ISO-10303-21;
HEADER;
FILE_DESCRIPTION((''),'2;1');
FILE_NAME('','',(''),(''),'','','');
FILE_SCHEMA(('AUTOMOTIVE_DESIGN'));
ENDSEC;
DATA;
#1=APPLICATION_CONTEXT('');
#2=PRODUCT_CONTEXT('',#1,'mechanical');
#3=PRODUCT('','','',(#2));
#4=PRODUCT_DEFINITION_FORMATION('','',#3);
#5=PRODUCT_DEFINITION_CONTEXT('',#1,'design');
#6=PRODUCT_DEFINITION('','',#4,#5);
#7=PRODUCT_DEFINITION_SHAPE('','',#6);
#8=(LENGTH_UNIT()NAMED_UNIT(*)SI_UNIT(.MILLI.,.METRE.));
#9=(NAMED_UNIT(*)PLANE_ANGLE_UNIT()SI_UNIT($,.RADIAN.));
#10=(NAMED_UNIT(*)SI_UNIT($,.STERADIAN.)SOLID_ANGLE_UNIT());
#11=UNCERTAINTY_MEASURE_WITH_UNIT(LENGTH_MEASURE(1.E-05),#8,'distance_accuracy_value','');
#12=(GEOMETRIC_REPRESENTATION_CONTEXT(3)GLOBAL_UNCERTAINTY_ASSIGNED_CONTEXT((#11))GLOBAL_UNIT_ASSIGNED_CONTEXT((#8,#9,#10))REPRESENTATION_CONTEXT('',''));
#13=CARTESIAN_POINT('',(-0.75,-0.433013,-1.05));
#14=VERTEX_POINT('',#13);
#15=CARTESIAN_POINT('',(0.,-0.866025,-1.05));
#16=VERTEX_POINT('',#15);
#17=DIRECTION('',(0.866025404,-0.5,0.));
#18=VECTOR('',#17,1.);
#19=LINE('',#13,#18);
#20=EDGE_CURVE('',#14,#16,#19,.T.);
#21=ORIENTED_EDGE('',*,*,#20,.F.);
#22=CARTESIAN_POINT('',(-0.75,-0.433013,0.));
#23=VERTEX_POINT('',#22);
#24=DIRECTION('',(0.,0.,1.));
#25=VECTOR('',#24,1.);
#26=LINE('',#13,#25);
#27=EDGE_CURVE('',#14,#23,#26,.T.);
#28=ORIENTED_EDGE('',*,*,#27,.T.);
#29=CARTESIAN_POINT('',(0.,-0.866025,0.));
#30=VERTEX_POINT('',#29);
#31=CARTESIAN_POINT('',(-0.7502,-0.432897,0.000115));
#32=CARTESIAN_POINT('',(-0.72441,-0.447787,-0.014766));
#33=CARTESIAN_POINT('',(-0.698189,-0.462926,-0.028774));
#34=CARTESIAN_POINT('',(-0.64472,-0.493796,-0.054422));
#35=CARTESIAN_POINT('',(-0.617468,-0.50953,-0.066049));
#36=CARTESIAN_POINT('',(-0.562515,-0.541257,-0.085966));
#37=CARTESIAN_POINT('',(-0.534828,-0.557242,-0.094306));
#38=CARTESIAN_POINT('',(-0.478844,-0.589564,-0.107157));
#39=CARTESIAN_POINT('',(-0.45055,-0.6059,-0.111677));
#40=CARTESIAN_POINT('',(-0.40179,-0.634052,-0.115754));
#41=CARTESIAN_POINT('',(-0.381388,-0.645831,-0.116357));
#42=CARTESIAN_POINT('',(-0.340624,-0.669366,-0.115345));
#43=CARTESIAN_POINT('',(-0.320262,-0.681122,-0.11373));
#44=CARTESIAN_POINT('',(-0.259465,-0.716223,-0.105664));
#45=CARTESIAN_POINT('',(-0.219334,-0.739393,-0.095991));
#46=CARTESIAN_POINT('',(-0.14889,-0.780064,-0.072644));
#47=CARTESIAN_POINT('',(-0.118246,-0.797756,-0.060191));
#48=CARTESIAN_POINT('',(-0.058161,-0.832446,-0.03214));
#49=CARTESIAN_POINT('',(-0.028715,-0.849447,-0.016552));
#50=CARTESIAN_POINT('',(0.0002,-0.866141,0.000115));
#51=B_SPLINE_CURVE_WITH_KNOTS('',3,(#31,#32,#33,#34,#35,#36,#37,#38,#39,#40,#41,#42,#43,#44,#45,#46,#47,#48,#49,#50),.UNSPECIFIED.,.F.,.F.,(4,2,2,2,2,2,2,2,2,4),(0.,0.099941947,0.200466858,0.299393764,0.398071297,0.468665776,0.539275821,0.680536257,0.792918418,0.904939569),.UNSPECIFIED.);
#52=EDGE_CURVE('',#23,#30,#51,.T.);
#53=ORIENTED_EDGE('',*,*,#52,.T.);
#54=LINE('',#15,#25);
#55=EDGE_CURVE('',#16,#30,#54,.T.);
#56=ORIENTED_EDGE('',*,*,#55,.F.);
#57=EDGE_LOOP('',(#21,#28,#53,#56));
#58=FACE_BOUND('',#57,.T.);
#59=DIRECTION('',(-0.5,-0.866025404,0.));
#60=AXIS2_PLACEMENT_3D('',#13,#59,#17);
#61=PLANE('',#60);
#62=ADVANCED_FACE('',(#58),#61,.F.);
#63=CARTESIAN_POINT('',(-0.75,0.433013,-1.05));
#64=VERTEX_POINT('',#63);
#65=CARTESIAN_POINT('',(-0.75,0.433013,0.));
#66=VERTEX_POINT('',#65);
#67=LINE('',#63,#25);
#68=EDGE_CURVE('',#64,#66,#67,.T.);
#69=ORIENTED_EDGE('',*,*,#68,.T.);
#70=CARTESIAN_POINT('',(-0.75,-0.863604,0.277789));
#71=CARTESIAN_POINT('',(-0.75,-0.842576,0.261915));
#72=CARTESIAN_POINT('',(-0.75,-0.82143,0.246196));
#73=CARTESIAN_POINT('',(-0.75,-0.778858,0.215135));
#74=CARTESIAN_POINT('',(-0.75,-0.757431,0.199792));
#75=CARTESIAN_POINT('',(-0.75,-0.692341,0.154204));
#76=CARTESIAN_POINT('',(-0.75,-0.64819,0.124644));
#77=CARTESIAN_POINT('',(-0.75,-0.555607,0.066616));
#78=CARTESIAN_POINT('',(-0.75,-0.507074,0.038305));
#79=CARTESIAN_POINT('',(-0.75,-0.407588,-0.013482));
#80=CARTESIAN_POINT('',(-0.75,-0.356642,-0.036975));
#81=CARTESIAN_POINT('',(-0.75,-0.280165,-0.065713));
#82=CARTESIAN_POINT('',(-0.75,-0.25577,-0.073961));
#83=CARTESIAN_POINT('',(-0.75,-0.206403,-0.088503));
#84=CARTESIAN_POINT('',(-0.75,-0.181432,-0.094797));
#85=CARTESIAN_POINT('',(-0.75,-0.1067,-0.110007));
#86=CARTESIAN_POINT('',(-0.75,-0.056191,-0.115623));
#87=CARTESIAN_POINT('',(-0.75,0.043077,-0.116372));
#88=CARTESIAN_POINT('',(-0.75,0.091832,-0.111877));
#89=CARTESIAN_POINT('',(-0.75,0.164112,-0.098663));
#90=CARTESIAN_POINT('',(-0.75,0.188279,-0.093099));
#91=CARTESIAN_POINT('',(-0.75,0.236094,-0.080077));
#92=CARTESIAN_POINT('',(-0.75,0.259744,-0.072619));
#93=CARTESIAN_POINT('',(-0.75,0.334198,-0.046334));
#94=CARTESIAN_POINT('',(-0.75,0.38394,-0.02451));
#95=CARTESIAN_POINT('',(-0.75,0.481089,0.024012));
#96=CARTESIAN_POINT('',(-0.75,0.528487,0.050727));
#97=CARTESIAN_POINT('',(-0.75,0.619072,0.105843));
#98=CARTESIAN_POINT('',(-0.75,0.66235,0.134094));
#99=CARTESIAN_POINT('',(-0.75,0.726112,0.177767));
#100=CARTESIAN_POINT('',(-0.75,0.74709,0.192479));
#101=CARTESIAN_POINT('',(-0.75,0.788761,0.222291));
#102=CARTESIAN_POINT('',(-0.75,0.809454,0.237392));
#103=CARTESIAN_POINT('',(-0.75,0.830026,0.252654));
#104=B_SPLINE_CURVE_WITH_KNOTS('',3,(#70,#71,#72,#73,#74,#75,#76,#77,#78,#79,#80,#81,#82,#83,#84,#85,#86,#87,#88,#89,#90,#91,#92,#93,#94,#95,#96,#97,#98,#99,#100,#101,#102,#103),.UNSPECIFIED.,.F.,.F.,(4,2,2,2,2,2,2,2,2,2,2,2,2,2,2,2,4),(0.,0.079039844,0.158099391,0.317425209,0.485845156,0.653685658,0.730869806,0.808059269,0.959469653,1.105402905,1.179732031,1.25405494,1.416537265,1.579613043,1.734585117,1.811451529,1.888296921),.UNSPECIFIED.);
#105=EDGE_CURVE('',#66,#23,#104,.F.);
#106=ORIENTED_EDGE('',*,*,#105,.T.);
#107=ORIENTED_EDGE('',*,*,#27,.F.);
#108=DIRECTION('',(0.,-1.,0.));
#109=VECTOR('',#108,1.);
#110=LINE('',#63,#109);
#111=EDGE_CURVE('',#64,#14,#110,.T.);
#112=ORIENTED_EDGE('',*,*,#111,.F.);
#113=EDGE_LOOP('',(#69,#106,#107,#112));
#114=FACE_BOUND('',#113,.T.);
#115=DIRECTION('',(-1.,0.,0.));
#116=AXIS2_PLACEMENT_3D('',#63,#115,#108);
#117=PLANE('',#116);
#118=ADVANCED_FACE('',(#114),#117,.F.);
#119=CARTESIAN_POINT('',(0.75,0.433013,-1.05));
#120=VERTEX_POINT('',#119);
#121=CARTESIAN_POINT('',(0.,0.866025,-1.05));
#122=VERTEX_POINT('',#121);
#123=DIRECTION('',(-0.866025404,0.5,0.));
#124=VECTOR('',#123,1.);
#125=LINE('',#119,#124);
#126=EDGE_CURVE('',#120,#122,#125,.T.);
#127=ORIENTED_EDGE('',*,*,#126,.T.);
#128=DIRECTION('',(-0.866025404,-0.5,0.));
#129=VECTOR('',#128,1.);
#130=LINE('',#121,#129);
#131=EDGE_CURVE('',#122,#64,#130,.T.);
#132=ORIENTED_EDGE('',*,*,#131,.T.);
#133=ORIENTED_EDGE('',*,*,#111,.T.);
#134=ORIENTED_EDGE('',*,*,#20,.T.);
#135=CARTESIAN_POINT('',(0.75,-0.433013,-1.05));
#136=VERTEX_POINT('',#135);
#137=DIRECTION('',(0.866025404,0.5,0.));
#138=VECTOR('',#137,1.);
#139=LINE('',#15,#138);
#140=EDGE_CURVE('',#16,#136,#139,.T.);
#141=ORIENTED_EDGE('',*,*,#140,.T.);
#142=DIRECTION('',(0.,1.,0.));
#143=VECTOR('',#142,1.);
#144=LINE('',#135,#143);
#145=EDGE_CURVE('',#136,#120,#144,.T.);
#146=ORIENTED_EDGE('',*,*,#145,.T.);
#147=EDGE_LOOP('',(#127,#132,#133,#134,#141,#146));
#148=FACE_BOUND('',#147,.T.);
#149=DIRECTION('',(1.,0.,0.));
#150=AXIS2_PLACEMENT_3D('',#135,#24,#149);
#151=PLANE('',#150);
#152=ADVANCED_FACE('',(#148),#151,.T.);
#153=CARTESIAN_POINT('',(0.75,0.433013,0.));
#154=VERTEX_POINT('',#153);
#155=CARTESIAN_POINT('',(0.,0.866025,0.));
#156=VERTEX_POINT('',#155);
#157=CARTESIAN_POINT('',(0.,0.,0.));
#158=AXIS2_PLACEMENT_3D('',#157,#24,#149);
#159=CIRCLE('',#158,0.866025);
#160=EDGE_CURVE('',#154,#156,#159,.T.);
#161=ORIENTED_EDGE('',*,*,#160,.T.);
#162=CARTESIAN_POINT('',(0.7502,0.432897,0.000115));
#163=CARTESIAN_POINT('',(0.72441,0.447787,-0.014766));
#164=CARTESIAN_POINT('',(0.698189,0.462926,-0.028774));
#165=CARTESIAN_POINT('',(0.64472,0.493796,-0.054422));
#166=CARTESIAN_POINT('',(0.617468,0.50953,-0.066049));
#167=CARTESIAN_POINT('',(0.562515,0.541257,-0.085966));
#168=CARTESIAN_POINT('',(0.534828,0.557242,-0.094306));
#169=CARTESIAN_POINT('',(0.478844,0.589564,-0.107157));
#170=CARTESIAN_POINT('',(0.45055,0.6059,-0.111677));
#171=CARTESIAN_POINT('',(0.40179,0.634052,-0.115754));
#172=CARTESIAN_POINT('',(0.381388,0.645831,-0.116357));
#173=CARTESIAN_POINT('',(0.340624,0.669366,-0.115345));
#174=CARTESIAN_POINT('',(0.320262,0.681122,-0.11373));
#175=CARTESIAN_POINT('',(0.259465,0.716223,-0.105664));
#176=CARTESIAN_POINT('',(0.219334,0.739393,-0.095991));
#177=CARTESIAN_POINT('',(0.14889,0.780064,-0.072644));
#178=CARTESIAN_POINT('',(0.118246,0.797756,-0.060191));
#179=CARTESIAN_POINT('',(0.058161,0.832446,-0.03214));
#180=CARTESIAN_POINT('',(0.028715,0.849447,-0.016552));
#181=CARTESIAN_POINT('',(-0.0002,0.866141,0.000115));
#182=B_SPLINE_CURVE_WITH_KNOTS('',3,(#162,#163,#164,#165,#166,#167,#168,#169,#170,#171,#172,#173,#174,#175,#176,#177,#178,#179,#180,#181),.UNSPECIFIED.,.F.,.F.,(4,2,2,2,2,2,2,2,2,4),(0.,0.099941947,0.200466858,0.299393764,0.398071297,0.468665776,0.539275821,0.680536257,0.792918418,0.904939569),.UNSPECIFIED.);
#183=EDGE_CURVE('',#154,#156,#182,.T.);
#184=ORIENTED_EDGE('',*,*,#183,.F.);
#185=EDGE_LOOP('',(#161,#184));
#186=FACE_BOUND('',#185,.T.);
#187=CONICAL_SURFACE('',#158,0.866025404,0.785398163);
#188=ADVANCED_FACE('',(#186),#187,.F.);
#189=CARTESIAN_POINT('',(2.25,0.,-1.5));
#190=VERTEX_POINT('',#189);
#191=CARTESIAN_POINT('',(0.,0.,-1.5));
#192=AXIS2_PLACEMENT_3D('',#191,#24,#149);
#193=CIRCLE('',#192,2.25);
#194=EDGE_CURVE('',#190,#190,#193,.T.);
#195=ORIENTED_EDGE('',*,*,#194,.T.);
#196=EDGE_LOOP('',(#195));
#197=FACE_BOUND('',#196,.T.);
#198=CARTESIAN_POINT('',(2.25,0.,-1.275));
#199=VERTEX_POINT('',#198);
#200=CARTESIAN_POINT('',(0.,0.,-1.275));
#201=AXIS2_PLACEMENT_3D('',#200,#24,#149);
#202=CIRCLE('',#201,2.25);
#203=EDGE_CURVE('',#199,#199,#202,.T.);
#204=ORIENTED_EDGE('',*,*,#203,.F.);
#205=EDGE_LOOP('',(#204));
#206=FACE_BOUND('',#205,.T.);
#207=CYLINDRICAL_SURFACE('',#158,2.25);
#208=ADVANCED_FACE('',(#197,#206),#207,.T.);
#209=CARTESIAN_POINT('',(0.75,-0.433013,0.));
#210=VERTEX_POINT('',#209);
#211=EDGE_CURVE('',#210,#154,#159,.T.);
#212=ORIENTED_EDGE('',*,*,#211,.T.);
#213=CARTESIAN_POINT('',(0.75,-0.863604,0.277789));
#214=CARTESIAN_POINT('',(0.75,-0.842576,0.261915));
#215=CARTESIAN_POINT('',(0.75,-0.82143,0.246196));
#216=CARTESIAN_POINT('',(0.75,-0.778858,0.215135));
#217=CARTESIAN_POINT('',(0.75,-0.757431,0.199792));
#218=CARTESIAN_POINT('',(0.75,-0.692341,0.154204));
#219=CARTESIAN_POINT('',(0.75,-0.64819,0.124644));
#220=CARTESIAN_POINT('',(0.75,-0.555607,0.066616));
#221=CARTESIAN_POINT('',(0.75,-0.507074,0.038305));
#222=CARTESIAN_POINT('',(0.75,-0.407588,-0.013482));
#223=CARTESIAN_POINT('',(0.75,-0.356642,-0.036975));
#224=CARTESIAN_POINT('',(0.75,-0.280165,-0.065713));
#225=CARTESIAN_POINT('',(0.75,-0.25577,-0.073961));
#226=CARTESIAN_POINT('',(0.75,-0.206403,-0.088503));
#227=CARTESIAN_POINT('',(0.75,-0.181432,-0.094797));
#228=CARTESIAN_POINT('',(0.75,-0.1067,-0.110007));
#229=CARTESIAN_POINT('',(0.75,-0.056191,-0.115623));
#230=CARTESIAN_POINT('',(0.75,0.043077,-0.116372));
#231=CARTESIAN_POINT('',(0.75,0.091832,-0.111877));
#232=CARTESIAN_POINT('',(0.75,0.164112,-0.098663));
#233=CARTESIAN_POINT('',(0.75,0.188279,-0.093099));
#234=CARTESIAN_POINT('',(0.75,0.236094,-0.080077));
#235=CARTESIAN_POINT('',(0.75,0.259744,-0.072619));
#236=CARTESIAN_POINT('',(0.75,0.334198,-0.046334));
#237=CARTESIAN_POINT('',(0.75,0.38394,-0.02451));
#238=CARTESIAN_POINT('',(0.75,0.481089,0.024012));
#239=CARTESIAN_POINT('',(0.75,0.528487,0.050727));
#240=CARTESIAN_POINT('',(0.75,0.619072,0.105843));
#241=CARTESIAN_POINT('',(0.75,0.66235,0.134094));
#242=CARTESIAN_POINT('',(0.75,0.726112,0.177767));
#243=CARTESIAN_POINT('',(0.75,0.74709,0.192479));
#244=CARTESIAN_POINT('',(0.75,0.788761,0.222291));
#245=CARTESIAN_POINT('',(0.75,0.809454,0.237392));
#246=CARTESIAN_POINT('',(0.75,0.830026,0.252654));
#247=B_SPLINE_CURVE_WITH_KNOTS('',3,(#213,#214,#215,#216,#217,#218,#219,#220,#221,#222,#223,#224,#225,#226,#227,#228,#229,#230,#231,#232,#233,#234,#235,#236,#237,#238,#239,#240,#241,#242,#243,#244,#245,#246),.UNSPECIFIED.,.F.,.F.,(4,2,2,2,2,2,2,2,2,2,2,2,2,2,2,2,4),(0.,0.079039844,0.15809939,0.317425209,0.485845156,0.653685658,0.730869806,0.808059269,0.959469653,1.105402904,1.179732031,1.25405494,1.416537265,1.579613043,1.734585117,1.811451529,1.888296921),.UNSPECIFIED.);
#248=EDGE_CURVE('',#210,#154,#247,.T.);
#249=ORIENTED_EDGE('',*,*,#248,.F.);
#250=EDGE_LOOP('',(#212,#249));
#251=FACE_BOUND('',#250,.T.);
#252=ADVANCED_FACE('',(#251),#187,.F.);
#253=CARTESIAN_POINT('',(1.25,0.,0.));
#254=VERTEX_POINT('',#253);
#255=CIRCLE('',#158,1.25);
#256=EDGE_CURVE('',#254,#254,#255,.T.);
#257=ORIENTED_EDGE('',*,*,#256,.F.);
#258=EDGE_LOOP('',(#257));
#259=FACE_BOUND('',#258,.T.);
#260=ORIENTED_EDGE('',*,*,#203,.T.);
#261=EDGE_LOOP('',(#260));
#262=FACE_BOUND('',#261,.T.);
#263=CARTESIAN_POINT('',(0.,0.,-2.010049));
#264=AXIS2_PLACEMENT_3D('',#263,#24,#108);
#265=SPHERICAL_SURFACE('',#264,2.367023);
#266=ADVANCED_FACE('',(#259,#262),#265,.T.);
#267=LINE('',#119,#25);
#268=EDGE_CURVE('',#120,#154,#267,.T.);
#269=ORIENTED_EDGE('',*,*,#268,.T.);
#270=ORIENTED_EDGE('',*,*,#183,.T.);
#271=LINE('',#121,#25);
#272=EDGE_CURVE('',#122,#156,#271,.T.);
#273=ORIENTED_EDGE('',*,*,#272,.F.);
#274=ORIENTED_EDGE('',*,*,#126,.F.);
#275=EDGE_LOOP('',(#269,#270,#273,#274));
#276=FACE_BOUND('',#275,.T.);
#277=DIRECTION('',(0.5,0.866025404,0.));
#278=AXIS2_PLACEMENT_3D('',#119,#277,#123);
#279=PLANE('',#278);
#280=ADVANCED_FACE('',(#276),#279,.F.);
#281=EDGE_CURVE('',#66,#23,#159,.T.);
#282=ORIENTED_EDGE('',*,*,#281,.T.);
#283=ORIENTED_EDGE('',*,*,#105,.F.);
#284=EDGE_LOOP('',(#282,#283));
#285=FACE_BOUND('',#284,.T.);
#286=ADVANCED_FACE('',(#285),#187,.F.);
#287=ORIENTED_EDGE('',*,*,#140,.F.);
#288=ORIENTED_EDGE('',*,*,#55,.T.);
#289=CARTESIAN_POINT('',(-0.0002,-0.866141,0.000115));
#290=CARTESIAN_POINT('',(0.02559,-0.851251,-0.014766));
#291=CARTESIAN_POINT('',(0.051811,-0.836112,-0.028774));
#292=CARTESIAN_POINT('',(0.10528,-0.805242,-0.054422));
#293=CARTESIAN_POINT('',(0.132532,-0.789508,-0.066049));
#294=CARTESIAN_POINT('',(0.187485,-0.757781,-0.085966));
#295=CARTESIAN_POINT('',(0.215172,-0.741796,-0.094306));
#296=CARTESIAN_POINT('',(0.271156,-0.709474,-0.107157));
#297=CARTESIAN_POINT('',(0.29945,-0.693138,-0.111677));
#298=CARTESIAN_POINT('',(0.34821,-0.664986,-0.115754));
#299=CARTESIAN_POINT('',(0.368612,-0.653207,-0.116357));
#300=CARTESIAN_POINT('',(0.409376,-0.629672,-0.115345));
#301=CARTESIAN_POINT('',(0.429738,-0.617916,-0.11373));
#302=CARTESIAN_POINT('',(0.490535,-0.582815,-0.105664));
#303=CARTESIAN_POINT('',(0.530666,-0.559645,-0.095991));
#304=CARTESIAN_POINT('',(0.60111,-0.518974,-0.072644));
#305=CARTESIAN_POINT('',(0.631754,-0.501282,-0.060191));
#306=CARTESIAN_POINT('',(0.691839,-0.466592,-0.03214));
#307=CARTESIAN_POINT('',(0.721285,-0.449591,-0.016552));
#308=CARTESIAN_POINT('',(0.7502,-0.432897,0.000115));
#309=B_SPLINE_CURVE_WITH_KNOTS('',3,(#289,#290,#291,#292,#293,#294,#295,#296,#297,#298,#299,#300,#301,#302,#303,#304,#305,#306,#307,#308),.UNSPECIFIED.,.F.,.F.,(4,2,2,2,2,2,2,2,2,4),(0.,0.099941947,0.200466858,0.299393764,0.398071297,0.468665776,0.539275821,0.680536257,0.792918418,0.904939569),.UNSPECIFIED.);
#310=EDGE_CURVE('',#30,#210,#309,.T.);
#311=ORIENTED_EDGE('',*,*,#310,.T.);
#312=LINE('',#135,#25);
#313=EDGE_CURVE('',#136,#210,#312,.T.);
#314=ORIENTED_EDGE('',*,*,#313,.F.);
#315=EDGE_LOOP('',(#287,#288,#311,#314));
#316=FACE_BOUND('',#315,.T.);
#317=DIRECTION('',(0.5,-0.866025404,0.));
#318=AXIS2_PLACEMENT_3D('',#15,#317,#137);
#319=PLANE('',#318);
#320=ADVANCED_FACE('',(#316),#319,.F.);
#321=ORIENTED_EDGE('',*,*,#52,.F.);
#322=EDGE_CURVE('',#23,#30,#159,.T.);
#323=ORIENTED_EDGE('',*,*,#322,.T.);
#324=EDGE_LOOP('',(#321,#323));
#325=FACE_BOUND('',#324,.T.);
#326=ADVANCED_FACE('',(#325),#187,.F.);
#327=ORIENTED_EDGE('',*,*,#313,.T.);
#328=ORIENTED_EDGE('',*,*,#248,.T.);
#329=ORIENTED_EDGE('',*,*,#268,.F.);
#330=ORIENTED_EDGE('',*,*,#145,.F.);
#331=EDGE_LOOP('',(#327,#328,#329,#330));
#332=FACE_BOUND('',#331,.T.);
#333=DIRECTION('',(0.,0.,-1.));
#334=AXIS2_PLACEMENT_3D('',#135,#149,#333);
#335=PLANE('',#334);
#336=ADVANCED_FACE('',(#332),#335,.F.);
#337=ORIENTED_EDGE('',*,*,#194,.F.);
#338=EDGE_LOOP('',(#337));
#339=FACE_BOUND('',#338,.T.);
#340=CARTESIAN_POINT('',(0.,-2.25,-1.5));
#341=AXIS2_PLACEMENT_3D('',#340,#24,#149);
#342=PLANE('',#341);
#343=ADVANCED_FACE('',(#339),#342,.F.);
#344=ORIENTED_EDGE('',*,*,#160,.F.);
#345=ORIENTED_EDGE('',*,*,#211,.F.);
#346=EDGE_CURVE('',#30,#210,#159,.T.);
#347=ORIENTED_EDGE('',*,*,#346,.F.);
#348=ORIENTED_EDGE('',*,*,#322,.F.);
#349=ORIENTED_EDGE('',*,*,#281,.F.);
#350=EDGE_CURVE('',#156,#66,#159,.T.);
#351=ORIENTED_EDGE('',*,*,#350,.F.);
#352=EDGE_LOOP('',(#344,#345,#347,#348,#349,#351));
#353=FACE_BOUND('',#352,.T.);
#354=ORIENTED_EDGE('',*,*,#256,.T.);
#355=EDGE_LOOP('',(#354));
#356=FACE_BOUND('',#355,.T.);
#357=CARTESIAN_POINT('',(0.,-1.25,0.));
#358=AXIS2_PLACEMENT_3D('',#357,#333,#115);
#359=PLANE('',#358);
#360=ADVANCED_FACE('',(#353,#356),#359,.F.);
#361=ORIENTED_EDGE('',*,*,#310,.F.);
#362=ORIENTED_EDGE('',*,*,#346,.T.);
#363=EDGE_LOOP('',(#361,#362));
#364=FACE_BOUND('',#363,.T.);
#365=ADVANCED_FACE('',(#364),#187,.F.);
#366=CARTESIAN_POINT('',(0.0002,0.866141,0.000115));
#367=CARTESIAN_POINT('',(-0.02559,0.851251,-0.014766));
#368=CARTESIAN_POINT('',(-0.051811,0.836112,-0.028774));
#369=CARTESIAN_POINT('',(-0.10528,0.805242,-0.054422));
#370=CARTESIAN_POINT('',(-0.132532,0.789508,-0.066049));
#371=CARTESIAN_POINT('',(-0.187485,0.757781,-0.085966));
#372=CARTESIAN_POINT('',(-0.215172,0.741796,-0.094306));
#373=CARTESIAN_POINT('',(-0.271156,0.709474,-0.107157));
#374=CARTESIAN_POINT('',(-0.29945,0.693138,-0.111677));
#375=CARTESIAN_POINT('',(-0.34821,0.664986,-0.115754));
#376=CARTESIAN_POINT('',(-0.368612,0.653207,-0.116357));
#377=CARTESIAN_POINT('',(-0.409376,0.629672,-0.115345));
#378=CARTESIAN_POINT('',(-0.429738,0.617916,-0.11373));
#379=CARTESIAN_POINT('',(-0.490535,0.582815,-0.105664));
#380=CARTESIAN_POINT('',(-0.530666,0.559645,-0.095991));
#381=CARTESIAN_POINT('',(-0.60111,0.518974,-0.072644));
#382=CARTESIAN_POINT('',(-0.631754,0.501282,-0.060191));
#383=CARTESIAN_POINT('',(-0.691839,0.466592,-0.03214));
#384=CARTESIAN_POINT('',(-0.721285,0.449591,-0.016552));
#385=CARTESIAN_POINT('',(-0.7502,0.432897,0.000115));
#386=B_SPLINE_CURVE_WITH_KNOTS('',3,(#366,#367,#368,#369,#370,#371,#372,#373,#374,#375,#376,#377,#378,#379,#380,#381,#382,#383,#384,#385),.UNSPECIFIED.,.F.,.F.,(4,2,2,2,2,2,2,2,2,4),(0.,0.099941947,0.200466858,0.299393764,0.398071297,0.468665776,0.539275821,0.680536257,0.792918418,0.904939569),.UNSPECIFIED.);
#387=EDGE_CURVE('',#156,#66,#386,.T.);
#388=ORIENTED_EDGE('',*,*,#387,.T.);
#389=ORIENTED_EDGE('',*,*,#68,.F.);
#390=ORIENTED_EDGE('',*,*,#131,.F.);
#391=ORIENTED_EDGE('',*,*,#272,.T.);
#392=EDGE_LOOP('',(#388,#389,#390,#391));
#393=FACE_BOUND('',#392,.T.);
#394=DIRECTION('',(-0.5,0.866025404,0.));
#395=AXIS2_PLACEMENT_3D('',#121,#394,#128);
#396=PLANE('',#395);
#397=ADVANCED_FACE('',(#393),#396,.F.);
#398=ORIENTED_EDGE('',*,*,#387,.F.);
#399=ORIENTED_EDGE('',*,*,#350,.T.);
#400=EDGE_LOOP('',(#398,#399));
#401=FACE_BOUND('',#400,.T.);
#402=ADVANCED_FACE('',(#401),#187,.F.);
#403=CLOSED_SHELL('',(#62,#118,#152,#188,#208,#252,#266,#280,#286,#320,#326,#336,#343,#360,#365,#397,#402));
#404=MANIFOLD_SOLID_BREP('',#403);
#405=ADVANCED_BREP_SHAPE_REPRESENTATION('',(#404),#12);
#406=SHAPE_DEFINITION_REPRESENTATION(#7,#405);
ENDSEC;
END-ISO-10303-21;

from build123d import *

# Parameters (mm, degrees)
REVOLVE2_ANGLE     = 360
CUT_EXTRUDE2_DEPTH = 1.05
SKETCH6_R          = 0.866025404
CUT_EXTRUDE3_DEPTH = 1.05
CUT_EXTRUDE3_DRAFT = -45


with BuildPart() as part:
    # Sketch7 → Revolve2 (revolve, symmetric)
    with BuildSketch(Plane(origin=(0, 0, 0), x_dir=(0, 0, -1), z_dir=(1, 0, 0))) as revolve2_sk:
        with BuildLine():
            Line((1.275, 2.25), (1.5, 2.25))
            Line((1.5, 2.25), (1.5, 0))
            Line((1.5, 0), (0, 0))
            Line((0, 0), (0, 1.25))
            ThreePointArc((0, 1.25), (0.549264706, 1.8625), (1.275, 2.25))
        make_face()
    revolve(axis=Axis((0, 0, 0), (0, 0, -1)), revolution_arc=REVOLVE2_ANGLE / 2)
    revolve(revolve2_sk.sketch, axis=Axis((0, 0, 0), (0, 0, 1)), revolution_arc=REVOLVE2_ANGLE / 2)

    # Sketch5 → Cut-Extrude2 (cut)
    with BuildSketch(Plane.XY):
        Polygon((0.75, -0.433012702), (0.75, 0.433012702), (0, 0.866025404), (-0.75, 0.433012702), (-0.75, -0.433012702), (0, -0.866025404), align=None)
    extrude(amount=-CUT_EXTRUDE2_DEPTH, mode=Mode.SUBTRACT)


with BuildPart() as cut_extrude3_tool:
    # Sketch6 → Cut-Extrude3 (with draft: the straight prism first)
    with BuildSketch(Plane.XY):
        Circle(SKETCH6_R)
    extrude(amount=-CUT_EXTRUDE3_DEPTH)
    # Cut-Extrude3: the draft: its side faces are tilted about the plane it starts from
    cut_extrude3_sides = [cut_extrude3_tool.faces().sort_by_distance(p)[0] for p in [
        (-0.866025404, 0, -0.525),
    ]]
    draft(cut_extrude3_sides, Plane.XY, CUT_EXTRUDE3_DRAFT)


with BuildPart() as part_1:
    add(part.part)

    # Cut-Extrude3: cut by cut_extrude3_tool
    add(cut_extrude3_tool.part, mode=Mode.SUBTRACT)


solid = part_1.part
